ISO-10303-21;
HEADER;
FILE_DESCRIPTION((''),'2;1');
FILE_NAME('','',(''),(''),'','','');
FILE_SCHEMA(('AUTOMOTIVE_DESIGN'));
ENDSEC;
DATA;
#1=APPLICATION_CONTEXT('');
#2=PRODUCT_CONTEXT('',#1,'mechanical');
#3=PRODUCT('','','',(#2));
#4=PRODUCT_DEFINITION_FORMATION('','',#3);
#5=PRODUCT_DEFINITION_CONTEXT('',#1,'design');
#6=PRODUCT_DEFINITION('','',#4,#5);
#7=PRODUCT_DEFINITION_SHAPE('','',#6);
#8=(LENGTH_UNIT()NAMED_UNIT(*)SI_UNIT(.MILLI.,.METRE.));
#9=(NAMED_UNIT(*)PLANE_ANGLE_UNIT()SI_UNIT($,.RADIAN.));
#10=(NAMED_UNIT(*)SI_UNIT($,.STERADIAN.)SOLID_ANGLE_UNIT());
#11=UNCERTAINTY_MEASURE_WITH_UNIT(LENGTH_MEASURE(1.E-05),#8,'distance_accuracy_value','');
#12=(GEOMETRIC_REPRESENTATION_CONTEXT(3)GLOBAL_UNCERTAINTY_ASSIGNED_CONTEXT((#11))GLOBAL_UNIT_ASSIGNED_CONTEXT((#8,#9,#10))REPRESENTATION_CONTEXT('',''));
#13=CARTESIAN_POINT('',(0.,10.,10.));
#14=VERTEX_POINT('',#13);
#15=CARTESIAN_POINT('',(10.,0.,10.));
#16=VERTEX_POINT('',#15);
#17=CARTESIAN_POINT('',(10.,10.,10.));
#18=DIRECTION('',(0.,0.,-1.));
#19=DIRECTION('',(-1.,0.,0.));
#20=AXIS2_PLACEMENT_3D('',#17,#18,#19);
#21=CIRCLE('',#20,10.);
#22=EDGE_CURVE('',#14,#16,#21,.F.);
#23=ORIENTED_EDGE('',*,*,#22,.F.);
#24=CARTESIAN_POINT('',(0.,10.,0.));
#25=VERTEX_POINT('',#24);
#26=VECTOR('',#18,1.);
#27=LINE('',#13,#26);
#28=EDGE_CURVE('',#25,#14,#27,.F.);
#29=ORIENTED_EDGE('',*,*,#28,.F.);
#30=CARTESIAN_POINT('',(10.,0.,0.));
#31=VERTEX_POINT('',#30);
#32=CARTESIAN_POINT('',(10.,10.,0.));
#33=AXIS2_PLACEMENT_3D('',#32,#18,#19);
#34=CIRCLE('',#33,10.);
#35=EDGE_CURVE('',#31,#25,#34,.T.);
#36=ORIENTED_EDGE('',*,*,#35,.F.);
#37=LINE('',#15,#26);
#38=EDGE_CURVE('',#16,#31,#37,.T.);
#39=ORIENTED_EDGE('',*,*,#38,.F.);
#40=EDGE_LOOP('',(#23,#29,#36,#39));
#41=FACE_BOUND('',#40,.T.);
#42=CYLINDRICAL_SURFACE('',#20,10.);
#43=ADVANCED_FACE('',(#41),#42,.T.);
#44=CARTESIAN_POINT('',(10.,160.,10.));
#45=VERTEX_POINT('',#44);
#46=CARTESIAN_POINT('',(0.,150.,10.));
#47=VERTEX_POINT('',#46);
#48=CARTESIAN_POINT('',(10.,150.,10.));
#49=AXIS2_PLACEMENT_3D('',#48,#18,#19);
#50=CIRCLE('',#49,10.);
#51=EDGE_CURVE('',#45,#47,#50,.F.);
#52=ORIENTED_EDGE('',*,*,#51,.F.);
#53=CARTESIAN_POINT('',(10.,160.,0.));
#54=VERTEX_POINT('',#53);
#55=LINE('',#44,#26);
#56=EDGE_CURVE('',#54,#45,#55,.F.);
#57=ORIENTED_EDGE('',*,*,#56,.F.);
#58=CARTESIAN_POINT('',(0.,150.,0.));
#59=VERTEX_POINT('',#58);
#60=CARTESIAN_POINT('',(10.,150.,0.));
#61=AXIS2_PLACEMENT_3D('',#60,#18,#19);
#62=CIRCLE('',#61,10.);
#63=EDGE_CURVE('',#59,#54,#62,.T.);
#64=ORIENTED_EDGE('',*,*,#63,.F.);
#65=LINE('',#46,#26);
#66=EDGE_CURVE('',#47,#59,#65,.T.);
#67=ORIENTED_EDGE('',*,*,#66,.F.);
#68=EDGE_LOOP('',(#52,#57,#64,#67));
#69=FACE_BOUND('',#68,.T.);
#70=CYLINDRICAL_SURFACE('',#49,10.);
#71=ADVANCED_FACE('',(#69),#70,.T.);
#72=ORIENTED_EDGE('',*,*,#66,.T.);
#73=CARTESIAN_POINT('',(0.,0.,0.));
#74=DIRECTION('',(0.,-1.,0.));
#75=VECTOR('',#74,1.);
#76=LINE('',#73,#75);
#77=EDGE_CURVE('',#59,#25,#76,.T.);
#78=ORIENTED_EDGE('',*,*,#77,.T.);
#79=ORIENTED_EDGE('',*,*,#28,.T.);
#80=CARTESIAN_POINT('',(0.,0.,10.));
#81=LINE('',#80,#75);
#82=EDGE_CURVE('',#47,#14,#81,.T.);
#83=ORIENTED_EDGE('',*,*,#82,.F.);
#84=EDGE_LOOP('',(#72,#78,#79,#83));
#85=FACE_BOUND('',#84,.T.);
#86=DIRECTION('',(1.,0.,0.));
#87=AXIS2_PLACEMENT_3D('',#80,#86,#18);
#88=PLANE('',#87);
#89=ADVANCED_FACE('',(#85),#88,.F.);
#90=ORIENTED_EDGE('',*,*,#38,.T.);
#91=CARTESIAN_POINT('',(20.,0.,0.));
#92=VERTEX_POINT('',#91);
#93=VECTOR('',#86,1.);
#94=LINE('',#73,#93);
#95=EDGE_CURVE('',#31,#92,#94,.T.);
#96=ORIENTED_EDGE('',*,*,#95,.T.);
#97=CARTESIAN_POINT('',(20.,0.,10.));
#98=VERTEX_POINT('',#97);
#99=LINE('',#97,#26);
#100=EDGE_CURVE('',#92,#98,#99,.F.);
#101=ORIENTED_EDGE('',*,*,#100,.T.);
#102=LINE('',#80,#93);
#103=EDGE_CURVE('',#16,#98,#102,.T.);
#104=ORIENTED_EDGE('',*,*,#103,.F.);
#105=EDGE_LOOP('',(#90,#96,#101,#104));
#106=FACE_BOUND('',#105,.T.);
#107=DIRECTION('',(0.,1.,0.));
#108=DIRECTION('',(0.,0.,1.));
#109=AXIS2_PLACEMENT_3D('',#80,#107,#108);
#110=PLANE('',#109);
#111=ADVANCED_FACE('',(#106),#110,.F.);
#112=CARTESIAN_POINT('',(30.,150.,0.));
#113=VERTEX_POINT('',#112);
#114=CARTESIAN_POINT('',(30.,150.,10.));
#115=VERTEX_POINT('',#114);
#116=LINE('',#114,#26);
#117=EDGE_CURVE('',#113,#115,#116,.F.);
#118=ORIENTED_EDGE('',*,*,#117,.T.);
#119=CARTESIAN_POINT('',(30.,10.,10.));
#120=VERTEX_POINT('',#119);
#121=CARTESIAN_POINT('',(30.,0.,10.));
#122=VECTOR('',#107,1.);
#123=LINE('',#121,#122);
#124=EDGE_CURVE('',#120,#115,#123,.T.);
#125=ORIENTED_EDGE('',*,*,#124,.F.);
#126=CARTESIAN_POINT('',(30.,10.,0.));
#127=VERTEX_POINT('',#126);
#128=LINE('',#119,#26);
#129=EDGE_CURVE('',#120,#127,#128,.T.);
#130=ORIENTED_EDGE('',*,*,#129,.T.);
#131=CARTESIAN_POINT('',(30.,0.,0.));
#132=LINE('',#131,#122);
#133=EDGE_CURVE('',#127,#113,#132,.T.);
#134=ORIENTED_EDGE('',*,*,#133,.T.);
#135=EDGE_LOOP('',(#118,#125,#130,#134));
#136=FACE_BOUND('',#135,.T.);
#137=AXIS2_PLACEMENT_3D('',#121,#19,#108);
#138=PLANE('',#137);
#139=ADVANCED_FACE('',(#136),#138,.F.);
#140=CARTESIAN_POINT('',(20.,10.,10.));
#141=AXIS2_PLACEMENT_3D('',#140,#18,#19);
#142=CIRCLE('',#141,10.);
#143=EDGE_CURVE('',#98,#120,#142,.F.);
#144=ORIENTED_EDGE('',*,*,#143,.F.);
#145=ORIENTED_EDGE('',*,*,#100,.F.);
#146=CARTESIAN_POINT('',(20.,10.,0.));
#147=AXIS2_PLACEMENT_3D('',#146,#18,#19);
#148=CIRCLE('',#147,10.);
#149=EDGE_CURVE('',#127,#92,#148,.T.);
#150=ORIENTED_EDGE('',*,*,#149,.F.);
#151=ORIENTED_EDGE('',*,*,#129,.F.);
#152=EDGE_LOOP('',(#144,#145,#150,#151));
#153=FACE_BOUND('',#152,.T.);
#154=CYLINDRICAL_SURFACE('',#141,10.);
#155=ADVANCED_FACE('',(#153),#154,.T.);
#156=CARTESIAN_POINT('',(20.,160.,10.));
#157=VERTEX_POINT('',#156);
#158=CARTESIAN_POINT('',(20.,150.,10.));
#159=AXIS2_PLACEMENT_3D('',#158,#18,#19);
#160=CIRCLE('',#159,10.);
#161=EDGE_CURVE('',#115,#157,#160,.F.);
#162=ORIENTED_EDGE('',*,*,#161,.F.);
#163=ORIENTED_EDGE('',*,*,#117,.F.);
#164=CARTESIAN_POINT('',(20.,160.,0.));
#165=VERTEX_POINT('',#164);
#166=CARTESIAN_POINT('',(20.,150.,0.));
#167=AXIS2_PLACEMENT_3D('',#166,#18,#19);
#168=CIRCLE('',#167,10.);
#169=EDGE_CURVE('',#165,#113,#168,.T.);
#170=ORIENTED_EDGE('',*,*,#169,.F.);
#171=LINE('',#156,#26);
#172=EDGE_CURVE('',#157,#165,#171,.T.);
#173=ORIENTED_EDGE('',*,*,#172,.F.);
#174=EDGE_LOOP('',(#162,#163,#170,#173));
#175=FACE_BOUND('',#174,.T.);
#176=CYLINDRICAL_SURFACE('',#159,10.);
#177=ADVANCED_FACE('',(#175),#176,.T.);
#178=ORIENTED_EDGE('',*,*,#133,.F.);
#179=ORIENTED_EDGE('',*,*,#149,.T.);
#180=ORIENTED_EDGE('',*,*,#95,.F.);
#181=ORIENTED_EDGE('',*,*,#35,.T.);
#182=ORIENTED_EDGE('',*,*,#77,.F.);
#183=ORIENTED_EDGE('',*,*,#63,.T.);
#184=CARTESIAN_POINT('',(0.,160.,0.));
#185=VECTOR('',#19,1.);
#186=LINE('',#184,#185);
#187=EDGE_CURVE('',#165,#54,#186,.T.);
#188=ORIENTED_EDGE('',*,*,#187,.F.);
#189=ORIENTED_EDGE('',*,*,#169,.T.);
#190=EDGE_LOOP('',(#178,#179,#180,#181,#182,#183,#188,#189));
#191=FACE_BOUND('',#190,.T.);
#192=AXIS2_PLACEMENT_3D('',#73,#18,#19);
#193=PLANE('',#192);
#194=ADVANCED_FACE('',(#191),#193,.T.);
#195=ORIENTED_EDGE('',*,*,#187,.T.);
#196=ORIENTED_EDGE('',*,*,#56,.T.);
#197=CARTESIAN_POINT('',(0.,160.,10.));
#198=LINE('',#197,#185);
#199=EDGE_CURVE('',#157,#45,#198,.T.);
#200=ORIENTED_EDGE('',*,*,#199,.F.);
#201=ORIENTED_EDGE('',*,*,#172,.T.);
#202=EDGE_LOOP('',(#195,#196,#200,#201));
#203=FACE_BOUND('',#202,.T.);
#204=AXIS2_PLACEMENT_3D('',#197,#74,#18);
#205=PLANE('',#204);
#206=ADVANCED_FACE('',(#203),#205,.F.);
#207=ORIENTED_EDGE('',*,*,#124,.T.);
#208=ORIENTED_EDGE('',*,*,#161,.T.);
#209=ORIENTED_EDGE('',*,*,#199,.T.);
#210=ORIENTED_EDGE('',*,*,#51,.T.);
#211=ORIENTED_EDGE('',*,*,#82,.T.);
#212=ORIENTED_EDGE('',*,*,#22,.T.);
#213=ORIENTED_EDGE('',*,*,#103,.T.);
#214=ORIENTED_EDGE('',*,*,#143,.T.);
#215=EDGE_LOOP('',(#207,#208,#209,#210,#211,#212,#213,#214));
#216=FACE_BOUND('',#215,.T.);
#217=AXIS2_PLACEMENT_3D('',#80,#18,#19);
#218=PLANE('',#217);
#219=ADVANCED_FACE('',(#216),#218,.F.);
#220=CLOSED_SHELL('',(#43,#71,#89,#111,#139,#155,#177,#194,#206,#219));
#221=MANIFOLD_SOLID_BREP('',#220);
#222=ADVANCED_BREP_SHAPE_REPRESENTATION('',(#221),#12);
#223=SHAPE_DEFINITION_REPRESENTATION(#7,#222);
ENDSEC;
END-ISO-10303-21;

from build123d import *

# Parameters (mm, degrees)
SKICA1_W                = 30
SKICA1_H                = 160
P_IDAT_VYSUNUT_M1_DEPTH = 10
ZAOBLIT1_R              = 10


with BuildPart() as part:
    # Skica1 → Přidat vysunutím1 (new body)
    with BuildSketch(Plane.XY):
        with Locations((15, 80)):
            Rectangle(SKICA1_W, SKICA1_H)
    extrude(amount=P_IDAT_VYSUNUT_M1_DEPTH)

    # Zaoblit1
    zaoblit1_edges = [part.edges().sort_by_distance(p)[0] for p in [
        (0, 160, 5),
        (30, 160, 5),
        (30, 0, 5),
        (0, 0, 5),
    ]]
    fillet(zaoblit1_edges, radius=ZAOBLIT1_R)


solid = part.part
